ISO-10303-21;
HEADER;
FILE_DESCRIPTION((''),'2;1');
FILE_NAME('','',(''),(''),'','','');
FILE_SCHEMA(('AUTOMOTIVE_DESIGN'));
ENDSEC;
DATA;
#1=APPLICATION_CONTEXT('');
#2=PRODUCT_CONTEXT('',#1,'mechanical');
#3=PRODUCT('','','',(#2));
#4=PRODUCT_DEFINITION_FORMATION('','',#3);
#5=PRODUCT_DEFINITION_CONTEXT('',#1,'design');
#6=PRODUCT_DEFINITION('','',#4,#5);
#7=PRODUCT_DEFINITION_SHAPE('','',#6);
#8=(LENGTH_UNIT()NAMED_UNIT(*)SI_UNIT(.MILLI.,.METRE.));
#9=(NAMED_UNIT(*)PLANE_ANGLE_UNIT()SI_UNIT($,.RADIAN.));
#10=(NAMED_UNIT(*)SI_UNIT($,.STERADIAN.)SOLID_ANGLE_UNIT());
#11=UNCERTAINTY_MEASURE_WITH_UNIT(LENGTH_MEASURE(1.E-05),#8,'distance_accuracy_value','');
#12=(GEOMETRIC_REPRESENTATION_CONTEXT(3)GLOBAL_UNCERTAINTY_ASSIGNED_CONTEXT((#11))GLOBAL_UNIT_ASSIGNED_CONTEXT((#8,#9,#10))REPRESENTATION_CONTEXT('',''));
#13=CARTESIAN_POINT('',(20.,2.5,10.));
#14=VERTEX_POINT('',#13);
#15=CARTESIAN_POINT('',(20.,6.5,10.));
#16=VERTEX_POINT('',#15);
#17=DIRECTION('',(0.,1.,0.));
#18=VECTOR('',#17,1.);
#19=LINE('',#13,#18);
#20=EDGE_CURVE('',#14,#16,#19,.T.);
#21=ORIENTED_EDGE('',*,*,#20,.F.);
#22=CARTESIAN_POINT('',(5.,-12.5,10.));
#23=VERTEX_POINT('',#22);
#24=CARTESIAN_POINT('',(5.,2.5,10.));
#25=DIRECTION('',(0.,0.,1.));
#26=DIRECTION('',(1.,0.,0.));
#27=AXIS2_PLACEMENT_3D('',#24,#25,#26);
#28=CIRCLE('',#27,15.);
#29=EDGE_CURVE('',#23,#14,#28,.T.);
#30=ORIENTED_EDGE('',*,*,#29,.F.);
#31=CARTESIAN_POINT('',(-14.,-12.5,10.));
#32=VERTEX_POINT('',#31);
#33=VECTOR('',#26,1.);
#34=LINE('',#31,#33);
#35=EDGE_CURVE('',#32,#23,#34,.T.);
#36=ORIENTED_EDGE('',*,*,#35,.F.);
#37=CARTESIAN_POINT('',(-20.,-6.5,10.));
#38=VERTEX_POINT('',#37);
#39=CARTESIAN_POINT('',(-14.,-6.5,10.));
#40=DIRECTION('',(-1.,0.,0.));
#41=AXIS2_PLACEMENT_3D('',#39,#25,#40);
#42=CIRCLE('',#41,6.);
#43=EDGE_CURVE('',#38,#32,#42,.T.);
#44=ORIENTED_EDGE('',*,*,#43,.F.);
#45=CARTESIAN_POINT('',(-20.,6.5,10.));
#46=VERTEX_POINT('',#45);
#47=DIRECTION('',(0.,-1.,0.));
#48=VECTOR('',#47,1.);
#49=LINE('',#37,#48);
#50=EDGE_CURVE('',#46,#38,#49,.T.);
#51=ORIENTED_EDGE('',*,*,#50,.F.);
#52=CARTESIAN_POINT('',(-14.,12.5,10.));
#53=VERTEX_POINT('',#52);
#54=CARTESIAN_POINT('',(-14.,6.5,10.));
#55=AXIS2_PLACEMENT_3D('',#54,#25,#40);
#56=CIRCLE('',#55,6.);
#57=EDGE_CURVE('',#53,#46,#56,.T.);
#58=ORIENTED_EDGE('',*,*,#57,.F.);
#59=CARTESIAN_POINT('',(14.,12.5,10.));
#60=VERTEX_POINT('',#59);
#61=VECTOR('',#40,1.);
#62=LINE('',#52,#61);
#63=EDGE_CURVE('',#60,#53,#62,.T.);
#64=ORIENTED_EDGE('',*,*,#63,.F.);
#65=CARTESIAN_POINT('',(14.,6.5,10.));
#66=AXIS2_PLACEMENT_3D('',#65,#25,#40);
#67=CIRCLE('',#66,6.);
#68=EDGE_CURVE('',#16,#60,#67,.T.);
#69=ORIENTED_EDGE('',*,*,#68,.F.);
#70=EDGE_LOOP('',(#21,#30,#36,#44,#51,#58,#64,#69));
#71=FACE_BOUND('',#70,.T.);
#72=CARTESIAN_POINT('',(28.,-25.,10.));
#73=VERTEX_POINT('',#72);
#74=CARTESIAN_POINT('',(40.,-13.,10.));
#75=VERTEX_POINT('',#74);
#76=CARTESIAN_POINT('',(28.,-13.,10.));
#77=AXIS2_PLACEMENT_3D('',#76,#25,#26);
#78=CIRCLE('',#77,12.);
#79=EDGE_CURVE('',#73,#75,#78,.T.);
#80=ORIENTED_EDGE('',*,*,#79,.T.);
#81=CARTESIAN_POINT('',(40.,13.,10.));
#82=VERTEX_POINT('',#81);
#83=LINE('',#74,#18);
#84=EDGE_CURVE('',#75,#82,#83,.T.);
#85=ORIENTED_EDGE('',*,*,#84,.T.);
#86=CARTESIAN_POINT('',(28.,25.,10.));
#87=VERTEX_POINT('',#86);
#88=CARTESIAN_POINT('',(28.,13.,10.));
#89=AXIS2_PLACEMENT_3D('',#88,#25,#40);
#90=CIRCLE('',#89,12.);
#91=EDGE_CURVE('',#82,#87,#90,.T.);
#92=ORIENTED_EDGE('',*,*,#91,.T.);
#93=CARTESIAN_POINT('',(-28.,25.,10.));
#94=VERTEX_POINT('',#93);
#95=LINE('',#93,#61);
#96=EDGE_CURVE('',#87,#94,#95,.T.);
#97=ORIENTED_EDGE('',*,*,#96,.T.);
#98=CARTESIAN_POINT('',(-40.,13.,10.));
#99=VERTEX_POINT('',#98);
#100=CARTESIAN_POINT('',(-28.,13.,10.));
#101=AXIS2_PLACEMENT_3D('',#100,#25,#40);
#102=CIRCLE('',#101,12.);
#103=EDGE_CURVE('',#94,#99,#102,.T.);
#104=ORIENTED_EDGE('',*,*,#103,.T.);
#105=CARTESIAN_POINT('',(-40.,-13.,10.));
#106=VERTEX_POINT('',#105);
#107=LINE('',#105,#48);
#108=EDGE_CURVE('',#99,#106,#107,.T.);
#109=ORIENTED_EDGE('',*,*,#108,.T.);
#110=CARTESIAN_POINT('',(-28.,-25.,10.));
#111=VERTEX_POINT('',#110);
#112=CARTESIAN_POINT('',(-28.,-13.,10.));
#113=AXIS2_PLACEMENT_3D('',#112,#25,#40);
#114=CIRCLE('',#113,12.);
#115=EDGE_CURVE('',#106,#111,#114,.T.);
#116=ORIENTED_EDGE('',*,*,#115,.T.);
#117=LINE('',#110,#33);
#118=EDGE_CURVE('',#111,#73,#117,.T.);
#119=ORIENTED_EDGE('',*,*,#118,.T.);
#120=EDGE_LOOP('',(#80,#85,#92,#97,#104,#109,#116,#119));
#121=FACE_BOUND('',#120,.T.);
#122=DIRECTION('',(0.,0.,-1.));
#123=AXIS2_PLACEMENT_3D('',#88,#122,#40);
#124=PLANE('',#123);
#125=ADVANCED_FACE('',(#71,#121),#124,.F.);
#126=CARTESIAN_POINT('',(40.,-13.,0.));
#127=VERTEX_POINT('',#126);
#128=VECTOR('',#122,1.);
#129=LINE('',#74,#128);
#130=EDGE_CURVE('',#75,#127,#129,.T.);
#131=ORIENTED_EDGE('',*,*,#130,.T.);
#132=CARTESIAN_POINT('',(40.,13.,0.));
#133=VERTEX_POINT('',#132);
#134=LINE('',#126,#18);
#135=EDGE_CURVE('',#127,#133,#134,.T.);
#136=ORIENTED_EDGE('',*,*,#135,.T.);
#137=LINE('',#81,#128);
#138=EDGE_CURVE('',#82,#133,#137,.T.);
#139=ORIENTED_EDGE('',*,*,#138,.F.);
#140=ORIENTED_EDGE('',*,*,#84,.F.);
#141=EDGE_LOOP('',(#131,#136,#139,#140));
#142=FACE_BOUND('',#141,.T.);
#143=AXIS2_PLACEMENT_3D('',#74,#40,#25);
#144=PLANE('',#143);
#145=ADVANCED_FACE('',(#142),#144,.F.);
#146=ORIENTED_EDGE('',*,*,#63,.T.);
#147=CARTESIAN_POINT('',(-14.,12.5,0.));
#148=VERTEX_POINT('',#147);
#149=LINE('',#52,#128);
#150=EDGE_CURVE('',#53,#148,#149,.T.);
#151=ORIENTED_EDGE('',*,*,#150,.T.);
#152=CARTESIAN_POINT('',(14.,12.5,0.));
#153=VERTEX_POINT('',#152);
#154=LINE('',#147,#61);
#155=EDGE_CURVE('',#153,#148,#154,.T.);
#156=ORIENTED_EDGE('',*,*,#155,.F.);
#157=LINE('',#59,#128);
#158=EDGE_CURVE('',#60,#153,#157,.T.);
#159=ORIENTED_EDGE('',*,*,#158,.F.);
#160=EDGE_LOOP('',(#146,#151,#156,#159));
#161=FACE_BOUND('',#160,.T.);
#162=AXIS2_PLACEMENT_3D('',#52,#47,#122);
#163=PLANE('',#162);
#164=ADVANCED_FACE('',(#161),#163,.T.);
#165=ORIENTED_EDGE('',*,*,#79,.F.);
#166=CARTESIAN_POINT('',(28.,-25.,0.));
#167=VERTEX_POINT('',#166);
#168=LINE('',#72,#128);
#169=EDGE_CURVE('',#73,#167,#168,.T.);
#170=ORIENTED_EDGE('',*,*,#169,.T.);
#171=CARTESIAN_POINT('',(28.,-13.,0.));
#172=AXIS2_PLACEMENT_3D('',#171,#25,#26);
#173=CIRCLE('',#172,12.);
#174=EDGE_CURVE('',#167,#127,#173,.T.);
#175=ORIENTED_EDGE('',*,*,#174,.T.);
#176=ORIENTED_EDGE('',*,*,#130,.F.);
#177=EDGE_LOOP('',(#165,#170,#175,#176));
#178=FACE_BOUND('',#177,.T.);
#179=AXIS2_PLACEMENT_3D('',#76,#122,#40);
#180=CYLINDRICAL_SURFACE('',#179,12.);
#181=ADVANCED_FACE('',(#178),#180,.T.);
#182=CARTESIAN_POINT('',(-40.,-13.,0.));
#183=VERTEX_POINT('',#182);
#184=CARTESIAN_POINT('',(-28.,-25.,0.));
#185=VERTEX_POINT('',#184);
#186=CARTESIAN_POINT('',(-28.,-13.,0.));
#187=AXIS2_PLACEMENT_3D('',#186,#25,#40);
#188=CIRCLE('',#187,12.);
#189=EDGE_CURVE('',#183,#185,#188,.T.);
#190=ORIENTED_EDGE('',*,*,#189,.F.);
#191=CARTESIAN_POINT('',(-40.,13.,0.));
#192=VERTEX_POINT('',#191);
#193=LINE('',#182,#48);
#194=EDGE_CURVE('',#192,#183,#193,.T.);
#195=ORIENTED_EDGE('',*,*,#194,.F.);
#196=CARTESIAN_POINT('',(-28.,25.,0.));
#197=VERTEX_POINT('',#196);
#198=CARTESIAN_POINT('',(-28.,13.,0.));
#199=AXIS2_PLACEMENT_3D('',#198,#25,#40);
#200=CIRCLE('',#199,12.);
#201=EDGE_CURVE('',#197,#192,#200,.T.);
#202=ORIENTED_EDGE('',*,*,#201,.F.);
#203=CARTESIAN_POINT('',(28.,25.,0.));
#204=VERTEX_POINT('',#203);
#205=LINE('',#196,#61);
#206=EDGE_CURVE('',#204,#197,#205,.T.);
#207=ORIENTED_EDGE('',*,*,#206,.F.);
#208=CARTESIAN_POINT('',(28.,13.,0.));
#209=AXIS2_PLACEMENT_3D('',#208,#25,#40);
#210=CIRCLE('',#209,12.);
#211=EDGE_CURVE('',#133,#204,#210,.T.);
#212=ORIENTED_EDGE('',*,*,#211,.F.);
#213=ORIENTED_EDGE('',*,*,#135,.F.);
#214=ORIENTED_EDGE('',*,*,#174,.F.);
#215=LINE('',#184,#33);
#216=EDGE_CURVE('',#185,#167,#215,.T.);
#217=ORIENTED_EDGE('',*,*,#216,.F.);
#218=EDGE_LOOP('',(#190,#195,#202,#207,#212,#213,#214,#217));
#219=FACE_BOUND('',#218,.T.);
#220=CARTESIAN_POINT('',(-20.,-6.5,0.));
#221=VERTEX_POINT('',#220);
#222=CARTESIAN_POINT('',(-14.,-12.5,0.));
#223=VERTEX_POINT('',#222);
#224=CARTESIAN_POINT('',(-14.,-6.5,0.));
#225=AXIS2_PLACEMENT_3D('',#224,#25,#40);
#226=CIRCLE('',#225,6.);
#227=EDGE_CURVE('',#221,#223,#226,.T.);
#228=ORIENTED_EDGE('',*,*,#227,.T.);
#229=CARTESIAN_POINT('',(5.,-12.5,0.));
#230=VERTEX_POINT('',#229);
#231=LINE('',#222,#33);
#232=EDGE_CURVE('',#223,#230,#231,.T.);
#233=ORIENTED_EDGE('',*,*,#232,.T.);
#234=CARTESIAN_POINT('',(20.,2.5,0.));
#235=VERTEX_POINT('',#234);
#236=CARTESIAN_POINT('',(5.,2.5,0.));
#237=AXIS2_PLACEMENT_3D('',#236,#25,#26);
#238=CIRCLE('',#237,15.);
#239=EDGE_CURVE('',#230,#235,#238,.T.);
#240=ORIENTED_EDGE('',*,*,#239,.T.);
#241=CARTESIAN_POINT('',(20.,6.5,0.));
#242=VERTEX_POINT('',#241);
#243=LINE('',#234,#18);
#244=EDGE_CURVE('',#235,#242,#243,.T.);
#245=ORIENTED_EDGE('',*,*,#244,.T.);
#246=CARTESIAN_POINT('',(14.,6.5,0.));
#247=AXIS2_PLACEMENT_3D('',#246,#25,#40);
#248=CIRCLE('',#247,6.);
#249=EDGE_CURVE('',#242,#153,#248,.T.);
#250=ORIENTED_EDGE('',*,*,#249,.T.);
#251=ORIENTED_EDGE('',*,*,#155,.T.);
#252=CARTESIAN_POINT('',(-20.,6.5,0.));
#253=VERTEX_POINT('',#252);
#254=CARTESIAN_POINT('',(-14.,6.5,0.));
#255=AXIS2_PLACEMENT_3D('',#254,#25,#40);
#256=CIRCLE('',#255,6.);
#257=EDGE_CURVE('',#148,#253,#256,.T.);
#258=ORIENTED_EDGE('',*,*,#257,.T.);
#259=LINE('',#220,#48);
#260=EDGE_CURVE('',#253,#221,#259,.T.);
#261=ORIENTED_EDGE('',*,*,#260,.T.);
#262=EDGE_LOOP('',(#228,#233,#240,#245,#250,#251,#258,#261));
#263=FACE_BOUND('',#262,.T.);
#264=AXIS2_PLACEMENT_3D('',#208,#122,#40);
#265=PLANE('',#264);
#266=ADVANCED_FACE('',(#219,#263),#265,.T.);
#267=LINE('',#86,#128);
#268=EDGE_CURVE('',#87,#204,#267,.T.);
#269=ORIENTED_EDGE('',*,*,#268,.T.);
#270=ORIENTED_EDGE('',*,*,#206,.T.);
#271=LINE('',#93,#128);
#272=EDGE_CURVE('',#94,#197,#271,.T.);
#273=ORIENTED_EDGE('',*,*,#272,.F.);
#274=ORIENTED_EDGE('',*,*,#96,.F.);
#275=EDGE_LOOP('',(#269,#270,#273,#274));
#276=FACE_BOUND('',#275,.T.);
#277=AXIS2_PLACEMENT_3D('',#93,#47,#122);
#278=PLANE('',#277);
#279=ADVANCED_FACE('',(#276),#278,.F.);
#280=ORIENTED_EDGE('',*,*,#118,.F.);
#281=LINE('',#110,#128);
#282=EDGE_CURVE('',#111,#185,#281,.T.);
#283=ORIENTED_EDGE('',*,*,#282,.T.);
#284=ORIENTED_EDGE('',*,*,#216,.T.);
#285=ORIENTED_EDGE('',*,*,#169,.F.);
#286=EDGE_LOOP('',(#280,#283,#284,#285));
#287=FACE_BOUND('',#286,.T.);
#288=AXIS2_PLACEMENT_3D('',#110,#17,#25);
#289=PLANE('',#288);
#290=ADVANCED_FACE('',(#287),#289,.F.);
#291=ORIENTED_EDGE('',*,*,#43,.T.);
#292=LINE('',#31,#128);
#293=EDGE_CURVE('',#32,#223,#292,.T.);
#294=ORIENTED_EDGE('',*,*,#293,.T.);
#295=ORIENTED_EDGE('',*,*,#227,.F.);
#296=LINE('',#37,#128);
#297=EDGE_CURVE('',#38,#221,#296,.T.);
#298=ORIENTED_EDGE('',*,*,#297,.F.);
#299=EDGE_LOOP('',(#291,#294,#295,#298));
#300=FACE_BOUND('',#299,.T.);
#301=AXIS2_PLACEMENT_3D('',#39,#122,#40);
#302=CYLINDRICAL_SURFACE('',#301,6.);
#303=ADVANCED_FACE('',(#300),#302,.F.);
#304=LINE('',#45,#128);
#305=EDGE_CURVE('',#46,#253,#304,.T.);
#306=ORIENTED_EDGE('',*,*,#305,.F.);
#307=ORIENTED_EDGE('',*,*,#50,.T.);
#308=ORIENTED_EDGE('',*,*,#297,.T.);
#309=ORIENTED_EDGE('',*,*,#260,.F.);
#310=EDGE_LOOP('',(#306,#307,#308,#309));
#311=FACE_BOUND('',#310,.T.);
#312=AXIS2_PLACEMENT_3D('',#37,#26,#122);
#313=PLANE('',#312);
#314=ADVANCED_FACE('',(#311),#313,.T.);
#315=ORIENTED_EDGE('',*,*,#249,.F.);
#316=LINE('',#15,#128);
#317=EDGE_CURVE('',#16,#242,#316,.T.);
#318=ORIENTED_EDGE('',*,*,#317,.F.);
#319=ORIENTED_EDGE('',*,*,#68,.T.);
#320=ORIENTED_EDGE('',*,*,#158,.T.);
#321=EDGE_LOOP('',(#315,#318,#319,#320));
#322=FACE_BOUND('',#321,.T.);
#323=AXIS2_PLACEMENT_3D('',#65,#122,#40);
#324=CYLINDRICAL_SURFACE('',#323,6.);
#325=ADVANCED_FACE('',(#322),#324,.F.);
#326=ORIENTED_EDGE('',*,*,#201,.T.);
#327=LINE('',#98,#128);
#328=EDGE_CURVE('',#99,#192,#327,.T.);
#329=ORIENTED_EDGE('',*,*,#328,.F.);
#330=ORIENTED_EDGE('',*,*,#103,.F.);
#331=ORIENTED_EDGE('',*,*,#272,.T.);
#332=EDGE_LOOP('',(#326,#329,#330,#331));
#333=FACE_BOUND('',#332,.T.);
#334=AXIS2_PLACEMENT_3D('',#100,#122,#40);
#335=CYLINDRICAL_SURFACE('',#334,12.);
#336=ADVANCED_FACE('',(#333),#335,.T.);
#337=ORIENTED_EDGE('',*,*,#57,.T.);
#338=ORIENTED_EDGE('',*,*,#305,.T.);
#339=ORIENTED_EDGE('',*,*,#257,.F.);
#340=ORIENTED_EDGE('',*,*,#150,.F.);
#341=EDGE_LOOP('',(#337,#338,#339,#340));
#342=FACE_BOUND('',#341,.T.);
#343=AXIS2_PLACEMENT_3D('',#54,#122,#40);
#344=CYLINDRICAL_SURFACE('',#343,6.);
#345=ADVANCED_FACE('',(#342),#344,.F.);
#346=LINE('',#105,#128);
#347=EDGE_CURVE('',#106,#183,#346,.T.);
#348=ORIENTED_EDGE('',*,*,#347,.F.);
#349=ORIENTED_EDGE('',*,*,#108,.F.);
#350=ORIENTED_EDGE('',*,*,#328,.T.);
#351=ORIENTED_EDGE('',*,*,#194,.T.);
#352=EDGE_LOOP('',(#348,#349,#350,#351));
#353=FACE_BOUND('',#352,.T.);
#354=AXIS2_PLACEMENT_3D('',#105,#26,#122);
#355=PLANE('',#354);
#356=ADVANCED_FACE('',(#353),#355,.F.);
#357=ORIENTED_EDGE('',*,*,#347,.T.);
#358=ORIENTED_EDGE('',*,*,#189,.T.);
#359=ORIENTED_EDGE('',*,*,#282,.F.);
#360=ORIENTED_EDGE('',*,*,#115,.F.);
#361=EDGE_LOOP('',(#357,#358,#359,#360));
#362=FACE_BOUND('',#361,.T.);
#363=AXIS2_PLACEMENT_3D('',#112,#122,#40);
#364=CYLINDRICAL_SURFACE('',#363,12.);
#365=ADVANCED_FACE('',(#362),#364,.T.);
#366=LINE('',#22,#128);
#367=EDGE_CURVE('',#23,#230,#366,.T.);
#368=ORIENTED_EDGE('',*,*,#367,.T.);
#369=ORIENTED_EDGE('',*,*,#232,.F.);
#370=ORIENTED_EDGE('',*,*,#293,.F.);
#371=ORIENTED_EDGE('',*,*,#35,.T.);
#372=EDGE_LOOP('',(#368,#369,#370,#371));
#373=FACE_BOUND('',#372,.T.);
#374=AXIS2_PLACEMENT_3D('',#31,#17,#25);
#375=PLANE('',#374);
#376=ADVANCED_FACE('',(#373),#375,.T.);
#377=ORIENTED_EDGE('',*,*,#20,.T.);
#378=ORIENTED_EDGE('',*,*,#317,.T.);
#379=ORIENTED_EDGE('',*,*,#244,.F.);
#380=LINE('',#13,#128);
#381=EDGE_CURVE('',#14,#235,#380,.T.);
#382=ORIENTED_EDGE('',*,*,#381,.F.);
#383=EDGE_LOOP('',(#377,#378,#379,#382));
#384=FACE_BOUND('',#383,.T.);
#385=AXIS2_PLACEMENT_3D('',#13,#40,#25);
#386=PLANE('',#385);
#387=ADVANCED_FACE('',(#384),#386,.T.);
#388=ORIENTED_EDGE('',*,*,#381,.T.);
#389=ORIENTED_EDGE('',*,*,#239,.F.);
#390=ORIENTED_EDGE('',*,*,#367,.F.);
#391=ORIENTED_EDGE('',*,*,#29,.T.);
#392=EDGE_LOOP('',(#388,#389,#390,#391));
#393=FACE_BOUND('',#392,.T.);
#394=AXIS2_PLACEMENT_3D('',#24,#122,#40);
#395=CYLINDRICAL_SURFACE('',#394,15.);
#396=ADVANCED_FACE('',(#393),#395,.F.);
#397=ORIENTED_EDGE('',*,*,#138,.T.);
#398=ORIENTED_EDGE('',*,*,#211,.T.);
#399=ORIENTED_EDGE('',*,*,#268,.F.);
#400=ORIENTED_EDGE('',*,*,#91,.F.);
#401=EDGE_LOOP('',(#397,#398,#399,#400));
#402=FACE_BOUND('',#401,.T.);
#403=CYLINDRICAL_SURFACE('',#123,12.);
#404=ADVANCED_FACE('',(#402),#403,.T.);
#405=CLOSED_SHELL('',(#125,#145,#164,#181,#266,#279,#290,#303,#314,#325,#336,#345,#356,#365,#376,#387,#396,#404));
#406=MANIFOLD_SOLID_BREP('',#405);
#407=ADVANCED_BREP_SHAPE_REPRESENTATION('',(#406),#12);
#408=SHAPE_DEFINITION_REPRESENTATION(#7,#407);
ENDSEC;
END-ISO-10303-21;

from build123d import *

# Parameters (mm, degrees)
BOSS_EXTRU_5_DEPTH = 10


with BuildPart() as part:
    # Esquisse4 → Boss.-Extru.5 (new body)
    with BuildSketch(Plane.XY):
        with BuildLine():
            Line((-28, -25), (28, -25))
            ThreePointArc((28, -25), (36.485281374, -21.485281374), (40, -13))
            Line((40, -13), (40, 13))
            ThreePointArc((40, 13), (36.485281374, 21.485281374), (28, 25))
            Line((28, 25), (-28, 25))
            ThreePointArc((-28, 25), (-36.485281374, 21.485281374), (-40, 13))
            Line((-40, 13), (-40, -13))
            ThreePointArc((-40, -13), (-36.485281374, -21.485281374), (-28, -25))
        make_face()
        with BuildLine():
            Line((-14, -12.5), (5, -12.5))
            ThreePointArc((5, -12.5), (15.606601718, -8.106601718), (20, 2.5))
            Line((20, 2.5), (20, 6.5))
            ThreePointArc((20, 6.5), (18.242640687, 10.742640687), (14, 12.5))
            Line((14, 12.5), (-14, 12.5))
            ThreePointArc((-14, 12.5), (-18.242640687, 10.742640687), (-20, 6.5))
            Line((-20, 6.5), (-20, -6.5))
            ThreePointArc((-20, -6.5), (-18.242640687, -10.742640687), (-14, -12.5))
        make_face(mode=Mode.SUBTRACT)
    extrude(amount=BOSS_EXTRU_5_DEPTH)


solid = part.part
